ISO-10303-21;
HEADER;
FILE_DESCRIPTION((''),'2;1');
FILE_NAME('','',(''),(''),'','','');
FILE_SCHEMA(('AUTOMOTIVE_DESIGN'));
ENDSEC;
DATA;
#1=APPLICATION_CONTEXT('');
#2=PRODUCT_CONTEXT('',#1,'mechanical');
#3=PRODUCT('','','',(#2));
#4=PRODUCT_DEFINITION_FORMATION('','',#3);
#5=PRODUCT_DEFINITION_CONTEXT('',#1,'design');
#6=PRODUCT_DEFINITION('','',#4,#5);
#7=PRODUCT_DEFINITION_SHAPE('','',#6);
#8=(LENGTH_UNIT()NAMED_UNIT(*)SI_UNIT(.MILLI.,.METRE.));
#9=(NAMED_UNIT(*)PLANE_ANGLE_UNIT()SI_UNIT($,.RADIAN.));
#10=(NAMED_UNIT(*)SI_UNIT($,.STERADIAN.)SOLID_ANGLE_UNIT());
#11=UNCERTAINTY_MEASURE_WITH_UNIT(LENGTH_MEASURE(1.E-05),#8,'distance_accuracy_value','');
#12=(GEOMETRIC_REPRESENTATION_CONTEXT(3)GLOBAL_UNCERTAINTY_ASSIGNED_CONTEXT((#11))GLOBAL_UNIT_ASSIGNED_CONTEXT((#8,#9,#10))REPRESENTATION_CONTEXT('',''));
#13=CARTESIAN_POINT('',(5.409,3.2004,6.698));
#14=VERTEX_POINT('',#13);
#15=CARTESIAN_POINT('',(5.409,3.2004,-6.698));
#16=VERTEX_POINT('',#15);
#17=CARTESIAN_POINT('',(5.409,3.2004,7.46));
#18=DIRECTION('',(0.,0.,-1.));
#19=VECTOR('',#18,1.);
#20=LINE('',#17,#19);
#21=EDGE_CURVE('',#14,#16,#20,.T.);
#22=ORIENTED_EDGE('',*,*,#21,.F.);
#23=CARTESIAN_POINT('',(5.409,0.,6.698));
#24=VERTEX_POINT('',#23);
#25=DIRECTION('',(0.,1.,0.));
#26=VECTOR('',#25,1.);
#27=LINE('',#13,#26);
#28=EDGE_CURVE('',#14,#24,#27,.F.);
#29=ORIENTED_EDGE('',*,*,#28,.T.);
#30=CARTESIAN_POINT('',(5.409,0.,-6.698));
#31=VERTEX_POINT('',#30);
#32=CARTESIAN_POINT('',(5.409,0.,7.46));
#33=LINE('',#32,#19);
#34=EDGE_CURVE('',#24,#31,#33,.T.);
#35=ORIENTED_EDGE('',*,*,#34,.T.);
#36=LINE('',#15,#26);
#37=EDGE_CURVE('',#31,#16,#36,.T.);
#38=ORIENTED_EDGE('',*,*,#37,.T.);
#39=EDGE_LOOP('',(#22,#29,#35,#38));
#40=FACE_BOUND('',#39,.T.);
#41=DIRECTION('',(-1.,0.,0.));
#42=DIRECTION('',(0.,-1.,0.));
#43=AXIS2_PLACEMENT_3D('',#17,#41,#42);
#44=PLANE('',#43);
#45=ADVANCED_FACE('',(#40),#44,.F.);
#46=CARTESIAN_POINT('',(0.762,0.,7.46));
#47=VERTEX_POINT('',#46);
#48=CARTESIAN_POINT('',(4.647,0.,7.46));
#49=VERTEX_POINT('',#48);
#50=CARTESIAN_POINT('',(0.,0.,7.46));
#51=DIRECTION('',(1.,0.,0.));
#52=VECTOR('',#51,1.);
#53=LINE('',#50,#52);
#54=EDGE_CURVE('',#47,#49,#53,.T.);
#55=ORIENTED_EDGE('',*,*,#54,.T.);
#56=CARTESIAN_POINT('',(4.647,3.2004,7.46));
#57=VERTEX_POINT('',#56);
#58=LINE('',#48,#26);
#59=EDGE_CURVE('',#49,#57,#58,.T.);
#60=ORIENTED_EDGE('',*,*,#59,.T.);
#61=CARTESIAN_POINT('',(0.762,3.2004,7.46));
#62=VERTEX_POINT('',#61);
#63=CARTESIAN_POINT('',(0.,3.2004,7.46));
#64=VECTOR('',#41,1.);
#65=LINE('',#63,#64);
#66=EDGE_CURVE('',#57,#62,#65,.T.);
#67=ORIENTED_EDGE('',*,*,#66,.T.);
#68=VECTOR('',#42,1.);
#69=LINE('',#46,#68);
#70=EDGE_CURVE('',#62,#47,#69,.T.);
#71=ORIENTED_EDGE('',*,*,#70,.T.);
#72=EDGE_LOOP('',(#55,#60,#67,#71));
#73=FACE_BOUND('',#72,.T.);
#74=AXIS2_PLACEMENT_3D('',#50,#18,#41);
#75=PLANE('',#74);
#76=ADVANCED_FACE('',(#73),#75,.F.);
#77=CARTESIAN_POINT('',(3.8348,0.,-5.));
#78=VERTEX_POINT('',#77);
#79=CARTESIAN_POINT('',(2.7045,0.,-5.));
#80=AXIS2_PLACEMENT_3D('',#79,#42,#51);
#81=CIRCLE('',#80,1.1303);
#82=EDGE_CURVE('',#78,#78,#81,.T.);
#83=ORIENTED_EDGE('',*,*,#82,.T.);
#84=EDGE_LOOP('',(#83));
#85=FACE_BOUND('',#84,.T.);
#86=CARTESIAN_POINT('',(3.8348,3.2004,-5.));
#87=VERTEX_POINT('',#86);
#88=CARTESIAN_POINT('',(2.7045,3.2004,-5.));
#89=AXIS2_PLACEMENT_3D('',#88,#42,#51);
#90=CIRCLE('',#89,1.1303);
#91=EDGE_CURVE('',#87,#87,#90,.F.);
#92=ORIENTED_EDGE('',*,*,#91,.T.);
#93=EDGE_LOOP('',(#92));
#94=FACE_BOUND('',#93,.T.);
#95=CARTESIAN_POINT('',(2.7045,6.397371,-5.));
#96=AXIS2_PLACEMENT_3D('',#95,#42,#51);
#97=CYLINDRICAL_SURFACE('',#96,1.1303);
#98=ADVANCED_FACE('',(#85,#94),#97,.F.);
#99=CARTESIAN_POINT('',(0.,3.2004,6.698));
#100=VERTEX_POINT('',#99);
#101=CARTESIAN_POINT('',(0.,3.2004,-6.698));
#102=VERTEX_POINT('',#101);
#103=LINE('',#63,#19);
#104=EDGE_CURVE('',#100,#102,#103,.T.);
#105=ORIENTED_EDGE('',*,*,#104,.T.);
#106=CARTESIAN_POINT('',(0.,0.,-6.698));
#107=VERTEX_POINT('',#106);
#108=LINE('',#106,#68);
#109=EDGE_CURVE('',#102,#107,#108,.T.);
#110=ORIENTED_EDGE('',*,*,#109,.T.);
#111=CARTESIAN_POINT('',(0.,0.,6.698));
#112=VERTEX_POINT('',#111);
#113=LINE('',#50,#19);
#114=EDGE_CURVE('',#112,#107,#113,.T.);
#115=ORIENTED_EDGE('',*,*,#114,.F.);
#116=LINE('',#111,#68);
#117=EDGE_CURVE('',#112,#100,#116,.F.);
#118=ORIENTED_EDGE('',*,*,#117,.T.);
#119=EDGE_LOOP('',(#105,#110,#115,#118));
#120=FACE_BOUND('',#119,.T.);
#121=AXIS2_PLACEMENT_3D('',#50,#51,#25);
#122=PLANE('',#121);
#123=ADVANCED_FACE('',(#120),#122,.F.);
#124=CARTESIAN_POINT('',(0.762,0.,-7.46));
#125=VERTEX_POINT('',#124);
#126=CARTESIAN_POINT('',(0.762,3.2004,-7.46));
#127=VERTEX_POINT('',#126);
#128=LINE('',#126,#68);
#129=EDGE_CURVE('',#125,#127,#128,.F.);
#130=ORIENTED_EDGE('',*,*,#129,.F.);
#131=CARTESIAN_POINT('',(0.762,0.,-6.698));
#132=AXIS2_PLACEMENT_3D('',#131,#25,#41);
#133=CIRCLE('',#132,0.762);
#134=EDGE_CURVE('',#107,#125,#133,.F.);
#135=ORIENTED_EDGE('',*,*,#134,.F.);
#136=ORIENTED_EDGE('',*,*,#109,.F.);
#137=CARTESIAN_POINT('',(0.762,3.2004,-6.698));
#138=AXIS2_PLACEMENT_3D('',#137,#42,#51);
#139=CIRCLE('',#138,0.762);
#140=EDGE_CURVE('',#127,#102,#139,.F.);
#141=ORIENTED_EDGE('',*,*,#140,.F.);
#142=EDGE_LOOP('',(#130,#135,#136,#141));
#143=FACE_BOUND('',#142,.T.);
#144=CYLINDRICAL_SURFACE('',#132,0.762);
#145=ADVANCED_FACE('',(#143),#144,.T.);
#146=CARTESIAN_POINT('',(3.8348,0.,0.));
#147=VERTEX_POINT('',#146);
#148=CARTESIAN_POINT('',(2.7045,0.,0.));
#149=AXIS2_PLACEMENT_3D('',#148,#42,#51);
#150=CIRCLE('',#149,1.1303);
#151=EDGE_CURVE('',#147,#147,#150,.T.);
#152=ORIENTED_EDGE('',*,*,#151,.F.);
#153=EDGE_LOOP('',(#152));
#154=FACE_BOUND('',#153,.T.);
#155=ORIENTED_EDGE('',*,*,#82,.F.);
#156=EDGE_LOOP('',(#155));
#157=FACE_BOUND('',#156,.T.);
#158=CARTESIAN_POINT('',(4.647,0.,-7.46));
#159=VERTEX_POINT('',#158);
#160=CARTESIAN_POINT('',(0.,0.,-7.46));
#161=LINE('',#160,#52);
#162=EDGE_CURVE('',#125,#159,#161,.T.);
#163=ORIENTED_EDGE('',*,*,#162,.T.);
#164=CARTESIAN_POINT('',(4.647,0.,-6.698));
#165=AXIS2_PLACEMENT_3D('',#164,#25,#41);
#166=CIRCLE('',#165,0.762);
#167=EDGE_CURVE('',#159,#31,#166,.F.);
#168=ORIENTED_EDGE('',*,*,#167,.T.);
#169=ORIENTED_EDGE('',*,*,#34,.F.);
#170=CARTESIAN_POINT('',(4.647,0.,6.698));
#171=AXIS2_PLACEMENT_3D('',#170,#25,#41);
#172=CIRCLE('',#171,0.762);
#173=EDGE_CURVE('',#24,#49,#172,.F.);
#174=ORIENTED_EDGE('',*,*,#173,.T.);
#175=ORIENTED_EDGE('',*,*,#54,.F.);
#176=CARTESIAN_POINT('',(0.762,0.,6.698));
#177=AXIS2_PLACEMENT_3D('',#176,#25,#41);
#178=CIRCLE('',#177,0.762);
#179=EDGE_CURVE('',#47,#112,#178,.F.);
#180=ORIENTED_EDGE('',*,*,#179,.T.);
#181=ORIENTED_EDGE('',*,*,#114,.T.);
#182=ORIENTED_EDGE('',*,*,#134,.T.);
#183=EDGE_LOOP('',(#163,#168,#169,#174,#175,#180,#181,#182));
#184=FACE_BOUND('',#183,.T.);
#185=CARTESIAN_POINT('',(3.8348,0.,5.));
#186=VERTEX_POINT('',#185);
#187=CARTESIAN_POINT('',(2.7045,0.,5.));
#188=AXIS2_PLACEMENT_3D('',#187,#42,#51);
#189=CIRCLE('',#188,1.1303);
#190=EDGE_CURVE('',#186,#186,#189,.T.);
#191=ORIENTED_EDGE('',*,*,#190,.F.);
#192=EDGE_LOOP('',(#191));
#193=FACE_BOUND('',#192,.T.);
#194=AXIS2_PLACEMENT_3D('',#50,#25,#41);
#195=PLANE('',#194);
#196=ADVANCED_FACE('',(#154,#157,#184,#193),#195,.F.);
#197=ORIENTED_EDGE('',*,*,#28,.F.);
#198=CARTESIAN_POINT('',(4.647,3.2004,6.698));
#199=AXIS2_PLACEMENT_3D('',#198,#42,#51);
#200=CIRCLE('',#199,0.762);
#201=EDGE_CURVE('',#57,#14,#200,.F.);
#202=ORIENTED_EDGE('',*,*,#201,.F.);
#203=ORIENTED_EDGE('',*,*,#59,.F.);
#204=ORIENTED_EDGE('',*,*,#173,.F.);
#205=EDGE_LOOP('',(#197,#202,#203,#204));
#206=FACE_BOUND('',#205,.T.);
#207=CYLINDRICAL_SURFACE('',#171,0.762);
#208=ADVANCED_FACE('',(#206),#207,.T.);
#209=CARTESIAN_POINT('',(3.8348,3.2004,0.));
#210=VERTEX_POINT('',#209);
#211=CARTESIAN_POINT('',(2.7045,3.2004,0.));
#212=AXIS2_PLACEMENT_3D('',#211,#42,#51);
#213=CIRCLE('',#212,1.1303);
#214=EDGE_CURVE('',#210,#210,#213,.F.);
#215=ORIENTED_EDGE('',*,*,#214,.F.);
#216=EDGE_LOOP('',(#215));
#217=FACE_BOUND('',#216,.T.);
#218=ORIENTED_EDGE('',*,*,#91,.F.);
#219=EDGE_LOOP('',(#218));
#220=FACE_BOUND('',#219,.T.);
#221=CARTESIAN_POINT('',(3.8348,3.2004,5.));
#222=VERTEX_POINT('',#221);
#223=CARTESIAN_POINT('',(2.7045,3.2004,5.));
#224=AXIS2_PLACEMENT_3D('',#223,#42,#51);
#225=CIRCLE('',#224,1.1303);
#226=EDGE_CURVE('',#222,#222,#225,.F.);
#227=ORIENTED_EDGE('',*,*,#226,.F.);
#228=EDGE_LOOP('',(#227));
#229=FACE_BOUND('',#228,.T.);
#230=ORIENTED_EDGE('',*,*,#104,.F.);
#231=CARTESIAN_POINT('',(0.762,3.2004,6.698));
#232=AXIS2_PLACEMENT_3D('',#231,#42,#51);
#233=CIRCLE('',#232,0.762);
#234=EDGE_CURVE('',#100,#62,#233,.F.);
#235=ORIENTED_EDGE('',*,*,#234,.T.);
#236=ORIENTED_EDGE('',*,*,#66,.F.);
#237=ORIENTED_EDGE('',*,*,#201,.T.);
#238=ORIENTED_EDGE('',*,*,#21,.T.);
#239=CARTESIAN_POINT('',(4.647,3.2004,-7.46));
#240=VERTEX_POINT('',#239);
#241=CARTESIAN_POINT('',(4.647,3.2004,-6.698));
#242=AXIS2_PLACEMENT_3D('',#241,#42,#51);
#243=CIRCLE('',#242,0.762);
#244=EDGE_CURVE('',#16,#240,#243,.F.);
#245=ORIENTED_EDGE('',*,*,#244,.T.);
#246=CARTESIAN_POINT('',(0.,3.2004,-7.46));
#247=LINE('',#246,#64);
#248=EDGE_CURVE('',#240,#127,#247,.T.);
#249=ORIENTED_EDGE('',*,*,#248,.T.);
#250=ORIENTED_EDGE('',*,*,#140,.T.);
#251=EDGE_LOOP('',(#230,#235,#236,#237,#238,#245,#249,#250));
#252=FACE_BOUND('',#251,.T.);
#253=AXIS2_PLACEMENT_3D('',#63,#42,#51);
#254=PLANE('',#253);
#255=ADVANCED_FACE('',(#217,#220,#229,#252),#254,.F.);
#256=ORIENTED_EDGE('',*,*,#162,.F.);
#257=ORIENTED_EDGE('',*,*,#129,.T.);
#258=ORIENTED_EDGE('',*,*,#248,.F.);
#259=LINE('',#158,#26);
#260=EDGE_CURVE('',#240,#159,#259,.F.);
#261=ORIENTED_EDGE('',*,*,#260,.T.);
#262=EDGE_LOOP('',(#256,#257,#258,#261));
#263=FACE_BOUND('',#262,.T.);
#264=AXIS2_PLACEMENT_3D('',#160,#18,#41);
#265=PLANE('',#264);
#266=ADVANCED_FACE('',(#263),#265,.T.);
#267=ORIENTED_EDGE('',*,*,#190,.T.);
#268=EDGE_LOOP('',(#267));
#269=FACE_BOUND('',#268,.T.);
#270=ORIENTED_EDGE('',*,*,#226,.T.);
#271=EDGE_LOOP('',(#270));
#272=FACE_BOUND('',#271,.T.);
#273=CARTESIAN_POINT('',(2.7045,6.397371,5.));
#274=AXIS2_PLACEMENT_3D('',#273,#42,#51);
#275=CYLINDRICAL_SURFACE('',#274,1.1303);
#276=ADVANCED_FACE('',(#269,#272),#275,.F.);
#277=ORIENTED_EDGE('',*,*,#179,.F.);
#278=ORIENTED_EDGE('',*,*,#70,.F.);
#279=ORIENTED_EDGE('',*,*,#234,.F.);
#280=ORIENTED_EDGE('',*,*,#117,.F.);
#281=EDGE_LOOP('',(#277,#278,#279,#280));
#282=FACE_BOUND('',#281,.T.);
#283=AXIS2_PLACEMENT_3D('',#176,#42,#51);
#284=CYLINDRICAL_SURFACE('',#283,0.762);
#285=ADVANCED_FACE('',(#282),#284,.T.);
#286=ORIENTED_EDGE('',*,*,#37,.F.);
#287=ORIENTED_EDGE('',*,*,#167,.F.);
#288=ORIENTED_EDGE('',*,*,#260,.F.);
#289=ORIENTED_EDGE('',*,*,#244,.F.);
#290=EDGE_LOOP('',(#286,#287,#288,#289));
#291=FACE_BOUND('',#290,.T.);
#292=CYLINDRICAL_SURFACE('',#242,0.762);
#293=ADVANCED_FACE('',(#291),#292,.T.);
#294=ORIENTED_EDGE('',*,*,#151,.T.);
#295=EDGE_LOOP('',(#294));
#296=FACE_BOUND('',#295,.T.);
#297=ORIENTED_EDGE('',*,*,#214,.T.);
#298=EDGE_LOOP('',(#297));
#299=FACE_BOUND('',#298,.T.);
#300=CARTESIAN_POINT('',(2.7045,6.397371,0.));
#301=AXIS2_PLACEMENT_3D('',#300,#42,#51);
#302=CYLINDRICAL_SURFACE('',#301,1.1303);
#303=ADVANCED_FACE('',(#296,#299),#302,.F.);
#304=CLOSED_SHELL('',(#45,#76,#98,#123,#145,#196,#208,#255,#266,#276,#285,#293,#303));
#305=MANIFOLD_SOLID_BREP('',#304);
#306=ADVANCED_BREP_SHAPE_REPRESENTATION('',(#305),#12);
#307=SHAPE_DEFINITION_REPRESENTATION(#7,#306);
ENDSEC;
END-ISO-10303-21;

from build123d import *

# Parameters (mm, degrees)
SKETCH1_W           = 5.409
SKETCH1_H           = 3.2004
BOSS_EXTRUDE1_DEPTH = 7.459999939
SKETCH3_R           = 1.1303
CUT_EXTRUDE1_DEPTH  = 3.2004
FILLET1_R           = 0.762


with BuildPart() as part:
    # Sketch1 → Boss-Extrude1 (new body, symmetric)
    with BuildSketch(Plane.XY):
        with Locations((2.7045, 1.6002)):
            Rectangle(SKETCH1_W, SKETCH1_H)
    extrude(amount=BOSS_EXTRUDE1_DEPTH, both=True)

    # Sketch3 → Cut-Extrude1 (cut)
    with BuildSketch(Plane.XZ):
        with Locations((2.7045, 4.999999969)):
            Circle(SKETCH3_R)
        with Locations((2.7045, -4.999999969)):
            Circle(SKETCH3_R)
        with Locations((2.7045, 0)):
            Circle(SKETCH3_R)
    extrude(amount=-CUT_EXTRUDE1_DEPTH, mode=Mode.SUBTRACT)

    # Fillet1
    fillet1_edges = [part.edges().sort_by_distance(p)[0] for p in [
        (5.409, 1.6002, 7.459999939),
        (5.409, 1.6002, -7.459999939),
        (0, 1.6002, -7.459999939),
        (0, 1.6002, 7.459999939),
    ]]
    fillet(fillet1_edges, radius=FILLET1_R)


solid = part.part
